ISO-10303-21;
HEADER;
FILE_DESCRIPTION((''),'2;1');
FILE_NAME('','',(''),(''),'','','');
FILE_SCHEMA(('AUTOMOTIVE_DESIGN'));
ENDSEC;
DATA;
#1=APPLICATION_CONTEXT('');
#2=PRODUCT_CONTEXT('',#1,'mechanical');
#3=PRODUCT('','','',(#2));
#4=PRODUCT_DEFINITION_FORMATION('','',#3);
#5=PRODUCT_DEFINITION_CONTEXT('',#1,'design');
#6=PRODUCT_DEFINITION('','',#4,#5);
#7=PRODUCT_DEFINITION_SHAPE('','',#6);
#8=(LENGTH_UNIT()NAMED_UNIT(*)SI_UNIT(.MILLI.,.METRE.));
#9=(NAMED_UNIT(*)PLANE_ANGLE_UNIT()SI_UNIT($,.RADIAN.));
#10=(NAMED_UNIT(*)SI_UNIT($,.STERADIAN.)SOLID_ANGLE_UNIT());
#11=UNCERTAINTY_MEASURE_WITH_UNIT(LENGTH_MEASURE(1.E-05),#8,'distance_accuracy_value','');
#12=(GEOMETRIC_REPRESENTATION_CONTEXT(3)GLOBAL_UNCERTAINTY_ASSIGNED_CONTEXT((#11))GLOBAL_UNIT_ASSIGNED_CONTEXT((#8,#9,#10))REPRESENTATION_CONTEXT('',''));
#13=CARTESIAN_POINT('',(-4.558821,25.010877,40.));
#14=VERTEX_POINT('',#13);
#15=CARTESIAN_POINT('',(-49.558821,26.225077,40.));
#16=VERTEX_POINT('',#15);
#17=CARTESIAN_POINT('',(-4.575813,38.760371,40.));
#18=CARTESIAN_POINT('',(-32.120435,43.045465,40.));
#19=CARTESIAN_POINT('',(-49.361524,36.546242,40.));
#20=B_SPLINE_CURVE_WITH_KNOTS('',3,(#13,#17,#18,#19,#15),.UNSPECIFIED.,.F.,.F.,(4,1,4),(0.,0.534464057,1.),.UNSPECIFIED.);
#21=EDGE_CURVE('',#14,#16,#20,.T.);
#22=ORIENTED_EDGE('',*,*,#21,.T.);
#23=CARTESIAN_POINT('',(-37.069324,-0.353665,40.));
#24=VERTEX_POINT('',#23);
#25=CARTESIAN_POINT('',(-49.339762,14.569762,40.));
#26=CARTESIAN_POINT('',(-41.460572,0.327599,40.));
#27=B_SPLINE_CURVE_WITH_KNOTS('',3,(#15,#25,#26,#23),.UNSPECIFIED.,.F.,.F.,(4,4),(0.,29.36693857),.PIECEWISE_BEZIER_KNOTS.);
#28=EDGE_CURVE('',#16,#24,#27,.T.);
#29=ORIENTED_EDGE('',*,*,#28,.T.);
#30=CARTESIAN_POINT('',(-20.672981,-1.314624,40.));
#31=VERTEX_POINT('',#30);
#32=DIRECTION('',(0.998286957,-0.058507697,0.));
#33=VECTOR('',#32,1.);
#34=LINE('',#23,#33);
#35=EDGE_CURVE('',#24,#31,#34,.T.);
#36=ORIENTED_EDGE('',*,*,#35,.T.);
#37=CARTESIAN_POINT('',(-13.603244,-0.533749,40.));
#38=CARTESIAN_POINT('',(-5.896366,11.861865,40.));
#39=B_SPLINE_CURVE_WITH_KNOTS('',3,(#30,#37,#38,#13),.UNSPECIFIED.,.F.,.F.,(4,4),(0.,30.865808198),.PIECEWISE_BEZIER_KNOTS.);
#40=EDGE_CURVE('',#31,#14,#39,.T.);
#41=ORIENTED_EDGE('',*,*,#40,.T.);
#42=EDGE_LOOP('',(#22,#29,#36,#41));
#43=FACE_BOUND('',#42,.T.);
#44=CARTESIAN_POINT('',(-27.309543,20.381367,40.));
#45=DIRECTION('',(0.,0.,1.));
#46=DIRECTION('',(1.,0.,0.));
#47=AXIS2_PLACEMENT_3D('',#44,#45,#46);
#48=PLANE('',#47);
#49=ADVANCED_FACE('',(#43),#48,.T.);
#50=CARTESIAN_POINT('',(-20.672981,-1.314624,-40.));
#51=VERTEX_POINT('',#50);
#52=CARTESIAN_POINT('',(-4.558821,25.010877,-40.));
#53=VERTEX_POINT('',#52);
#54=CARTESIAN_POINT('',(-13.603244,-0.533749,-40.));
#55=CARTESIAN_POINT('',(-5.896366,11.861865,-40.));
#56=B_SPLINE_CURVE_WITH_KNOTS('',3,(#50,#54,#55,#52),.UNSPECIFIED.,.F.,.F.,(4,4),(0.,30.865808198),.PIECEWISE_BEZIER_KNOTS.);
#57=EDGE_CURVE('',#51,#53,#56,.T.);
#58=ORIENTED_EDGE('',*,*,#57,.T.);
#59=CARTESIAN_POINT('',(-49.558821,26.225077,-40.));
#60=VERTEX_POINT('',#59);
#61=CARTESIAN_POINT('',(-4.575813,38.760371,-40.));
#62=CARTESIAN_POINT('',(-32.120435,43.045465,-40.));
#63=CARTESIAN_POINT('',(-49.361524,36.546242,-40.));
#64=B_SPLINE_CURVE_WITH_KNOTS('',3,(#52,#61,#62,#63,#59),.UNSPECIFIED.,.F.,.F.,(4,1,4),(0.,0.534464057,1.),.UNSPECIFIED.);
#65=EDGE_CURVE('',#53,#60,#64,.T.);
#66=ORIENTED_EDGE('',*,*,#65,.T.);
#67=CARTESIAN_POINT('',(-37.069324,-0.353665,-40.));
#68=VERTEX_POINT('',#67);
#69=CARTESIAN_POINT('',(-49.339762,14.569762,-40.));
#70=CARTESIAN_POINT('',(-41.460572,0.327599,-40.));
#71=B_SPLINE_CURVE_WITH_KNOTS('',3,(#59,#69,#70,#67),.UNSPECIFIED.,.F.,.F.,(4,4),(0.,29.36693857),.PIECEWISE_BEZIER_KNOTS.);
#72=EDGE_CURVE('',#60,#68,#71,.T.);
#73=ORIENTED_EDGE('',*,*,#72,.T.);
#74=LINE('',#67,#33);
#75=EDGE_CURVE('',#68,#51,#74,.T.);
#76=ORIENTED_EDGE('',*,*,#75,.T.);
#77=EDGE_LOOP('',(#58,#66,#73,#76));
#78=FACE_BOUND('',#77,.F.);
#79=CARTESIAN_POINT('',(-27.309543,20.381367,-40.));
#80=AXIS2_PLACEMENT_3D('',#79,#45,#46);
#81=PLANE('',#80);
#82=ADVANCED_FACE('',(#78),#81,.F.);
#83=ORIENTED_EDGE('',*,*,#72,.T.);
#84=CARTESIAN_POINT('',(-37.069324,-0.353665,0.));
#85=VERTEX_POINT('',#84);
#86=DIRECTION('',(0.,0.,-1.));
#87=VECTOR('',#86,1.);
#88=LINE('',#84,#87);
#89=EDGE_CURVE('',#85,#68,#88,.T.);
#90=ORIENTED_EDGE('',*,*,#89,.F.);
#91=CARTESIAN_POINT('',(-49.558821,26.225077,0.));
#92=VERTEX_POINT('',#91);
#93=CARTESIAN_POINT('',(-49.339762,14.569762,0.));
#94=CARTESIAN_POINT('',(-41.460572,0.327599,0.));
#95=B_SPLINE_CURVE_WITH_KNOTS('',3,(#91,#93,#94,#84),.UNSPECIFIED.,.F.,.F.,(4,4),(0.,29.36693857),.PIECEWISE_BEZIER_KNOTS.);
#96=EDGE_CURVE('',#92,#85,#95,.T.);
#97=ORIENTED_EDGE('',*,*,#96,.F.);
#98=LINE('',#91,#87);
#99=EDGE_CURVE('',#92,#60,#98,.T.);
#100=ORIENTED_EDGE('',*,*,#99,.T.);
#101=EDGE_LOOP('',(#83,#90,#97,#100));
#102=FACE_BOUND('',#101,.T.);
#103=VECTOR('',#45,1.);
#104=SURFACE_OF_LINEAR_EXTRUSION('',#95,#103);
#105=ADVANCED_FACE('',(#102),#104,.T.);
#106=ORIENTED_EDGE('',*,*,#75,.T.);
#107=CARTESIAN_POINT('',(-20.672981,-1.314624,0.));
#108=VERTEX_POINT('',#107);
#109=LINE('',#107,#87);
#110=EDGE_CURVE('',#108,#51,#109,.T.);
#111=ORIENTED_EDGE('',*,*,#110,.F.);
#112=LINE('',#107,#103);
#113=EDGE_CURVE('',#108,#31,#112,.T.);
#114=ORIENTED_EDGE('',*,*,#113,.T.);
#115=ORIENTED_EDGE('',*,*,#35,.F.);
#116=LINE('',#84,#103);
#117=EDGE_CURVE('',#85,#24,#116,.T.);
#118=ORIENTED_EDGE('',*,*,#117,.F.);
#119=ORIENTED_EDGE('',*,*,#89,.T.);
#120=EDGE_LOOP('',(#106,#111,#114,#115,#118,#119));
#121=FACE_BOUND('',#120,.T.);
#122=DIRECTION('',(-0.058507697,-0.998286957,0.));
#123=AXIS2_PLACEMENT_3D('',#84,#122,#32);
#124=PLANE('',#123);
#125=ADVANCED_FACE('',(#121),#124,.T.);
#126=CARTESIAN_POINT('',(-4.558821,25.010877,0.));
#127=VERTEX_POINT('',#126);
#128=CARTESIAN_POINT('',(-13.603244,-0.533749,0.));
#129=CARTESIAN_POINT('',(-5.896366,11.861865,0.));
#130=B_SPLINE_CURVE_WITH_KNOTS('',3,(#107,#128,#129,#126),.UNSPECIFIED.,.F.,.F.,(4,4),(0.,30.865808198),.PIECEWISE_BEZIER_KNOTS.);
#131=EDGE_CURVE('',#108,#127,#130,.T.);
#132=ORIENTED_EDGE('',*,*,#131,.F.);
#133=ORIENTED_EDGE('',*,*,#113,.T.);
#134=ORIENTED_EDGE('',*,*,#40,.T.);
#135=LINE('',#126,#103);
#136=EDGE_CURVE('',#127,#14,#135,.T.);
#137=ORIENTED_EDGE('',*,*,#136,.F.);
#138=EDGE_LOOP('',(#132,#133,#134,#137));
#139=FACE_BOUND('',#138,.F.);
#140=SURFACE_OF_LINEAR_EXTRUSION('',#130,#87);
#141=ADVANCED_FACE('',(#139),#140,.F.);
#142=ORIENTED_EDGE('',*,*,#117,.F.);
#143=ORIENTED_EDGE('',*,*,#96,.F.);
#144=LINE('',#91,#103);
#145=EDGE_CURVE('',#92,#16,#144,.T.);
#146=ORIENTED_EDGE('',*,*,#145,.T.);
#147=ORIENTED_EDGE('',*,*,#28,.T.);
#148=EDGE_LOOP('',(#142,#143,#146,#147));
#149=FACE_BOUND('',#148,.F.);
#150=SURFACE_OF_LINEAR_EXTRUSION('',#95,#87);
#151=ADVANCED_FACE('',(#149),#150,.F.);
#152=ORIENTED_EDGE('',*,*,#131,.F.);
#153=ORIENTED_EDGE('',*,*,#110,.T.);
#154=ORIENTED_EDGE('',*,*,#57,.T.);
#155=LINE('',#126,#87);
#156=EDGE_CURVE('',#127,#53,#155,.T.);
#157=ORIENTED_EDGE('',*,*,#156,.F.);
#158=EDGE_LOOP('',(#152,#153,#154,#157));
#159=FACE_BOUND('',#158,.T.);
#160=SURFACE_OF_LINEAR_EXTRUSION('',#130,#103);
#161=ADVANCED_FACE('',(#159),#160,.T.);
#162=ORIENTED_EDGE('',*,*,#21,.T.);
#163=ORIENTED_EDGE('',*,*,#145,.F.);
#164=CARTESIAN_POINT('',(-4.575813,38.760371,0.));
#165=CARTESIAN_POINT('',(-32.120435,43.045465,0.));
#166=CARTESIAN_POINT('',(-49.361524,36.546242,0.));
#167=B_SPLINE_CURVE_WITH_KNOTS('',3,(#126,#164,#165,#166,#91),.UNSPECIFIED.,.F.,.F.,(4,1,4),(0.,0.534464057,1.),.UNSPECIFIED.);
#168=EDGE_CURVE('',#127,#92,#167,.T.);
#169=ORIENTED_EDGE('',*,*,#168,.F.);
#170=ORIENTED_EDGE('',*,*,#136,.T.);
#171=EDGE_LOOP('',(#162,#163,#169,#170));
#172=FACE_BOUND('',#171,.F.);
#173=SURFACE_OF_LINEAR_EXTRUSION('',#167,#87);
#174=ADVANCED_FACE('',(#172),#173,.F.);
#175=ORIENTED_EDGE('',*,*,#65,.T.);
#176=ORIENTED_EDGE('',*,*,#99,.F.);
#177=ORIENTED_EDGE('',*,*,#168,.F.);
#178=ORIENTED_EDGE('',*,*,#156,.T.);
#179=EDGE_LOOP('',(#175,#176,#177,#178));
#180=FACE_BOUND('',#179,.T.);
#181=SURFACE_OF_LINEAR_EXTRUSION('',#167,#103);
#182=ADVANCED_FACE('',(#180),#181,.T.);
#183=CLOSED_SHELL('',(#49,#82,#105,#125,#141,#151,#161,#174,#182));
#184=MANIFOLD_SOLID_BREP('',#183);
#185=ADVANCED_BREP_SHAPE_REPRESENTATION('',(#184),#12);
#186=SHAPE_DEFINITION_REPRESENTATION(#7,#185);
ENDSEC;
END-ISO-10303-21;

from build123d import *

# Parameters (mm, degrees)
F1_DEPTH = 40


with BuildPart() as f1:
    # F0 (on Top) → F1 (new body, symmetric)
    with BuildSketch(Plane.XY):
        with BuildLine():
            Line((-37.0693238298, -0.353665148), (-20.6729808854, -1.3146235742))
            add(Edge.make_bspline(
                [(-20.6729808854, -1.3146235742), (-13.6032438181, -0.5337493481), (-5.896365814, 11.8618648602), (-4.5588211715, 25.0108768476)],
                knots=[0, 0, 0, 0, 30.8658081984, 30.8658081984, 30.8658081984, 30.8658081984], degree=3))
            add(Edge.make_bspline(
                [(-4.5588211715, 25.0108768476), (-4.5758133079, 38.760371), (-32.1204350581, 43.0454651832), (-49.3615237504, 36.5462416672), (-49.5588211715, 26.2250770552)],
                knots=[0, 0, 0, 0, 0.5344640568, 1, 1, 1, 1], degree=3))
            add(Edge.make_bspline(
                [(-49.5588211715, 26.2250770552), (-49.3397621475, 14.5697618523), (-41.4605722124, 0.3275985737), (-37.0693238298, -0.353665148)],
                knots=[0, 0, 0, 0, 29.3669385697, 29.3669385697, 29.3669385697, 29.3669385697], degree=3))
        make_face()
    extrude(amount=F1_DEPTH, both=True)


solid = f1.part
